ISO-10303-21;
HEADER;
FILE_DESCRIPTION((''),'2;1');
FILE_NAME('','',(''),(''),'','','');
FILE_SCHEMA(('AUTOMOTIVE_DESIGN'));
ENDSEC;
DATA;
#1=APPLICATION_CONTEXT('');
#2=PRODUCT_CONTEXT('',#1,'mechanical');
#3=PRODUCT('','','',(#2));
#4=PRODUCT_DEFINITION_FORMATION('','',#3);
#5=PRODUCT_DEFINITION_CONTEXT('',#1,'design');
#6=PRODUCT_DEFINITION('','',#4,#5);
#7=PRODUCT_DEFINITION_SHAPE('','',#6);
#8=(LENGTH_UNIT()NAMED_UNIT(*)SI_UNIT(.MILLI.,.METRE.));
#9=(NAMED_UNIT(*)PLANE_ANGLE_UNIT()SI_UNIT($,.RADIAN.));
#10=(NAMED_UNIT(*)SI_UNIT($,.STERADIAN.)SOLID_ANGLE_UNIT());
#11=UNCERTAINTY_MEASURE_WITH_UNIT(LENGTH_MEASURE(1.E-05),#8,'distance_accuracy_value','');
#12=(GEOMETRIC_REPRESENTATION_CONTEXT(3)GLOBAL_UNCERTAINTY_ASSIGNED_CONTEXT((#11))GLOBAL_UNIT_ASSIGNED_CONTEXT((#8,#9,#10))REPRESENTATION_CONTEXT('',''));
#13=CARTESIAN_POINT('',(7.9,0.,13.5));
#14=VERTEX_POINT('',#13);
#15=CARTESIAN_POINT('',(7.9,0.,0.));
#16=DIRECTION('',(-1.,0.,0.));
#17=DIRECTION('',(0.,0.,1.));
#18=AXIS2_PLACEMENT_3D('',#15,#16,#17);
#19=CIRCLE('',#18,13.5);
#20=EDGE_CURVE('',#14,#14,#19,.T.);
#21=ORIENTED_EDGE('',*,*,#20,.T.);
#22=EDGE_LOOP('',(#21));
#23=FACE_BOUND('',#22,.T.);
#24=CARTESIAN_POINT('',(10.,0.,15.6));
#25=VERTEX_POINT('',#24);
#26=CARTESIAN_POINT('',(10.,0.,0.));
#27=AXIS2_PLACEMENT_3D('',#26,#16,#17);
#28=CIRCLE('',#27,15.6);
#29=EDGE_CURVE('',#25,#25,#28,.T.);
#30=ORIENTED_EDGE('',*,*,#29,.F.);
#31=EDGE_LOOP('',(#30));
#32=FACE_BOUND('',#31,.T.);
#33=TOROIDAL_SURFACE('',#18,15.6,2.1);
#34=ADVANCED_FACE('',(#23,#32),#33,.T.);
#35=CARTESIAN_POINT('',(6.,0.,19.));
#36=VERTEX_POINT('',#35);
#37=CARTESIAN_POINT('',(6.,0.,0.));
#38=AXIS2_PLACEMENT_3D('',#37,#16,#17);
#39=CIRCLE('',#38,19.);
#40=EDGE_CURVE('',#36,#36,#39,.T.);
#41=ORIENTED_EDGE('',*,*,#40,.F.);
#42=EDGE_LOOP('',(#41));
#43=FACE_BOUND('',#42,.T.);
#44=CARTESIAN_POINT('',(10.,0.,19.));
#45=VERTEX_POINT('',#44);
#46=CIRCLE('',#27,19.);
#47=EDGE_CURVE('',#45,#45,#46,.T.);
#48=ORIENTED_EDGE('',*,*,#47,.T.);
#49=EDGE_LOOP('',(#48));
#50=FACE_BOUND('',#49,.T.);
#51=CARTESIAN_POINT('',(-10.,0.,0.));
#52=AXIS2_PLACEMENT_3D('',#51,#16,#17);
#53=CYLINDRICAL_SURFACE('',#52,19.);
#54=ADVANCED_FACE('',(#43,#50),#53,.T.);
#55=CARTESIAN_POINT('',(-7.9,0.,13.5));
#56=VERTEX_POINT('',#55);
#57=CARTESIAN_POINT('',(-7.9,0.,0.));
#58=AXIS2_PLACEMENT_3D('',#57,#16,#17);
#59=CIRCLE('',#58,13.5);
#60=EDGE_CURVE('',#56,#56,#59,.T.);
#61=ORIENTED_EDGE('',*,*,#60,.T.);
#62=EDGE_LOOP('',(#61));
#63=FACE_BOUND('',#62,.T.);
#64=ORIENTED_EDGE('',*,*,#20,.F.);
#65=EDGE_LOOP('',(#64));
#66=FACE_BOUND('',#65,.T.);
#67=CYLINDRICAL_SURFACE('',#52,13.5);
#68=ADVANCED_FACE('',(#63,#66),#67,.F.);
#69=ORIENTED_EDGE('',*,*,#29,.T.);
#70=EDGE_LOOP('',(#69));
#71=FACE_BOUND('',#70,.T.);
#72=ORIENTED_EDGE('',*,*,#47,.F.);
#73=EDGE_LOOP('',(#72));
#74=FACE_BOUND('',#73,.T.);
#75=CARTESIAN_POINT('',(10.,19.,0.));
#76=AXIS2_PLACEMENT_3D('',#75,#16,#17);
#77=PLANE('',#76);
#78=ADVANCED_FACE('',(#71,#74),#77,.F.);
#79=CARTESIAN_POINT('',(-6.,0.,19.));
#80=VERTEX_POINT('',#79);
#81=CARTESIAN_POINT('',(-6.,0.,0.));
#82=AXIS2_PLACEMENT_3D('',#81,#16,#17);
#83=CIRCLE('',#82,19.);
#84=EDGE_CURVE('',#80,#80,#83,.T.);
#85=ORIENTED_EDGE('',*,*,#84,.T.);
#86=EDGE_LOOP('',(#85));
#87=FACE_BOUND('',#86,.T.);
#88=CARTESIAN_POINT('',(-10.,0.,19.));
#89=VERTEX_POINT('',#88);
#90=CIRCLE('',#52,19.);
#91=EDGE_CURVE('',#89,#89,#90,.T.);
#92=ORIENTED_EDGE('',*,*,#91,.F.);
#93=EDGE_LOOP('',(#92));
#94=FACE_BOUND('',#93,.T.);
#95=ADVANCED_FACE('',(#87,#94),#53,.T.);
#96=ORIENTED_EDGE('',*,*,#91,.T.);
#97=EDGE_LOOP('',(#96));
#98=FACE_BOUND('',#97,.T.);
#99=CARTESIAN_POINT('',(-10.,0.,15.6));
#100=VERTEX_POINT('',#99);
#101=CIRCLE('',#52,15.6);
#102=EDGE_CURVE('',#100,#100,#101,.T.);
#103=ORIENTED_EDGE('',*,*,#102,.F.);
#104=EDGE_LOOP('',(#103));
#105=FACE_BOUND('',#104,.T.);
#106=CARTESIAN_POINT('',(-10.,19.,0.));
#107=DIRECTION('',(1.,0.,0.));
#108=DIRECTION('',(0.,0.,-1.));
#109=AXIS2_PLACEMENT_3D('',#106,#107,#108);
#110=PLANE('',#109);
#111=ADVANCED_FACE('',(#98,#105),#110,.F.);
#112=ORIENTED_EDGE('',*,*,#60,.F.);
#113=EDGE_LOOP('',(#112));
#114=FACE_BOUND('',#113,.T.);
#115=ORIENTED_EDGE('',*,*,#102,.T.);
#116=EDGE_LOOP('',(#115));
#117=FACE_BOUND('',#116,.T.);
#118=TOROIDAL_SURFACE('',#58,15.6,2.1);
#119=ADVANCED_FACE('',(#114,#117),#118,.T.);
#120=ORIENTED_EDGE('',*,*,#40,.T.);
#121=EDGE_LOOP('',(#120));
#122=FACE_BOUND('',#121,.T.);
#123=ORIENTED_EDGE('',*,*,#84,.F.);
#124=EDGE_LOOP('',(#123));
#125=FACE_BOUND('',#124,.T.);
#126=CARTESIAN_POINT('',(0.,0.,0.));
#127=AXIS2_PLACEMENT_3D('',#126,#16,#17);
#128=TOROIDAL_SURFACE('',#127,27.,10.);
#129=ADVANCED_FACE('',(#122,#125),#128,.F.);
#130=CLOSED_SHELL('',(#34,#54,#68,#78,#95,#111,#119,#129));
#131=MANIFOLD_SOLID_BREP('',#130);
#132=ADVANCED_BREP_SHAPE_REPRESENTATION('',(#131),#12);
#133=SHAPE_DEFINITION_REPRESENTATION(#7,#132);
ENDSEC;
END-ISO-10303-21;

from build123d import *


with BuildPart() as part:
    # Sketch1 → Revolve1 (revolve)
    with BuildSketch(Plane.XY, mode=Mode.PRIVATE) as revolve1_sk:
        with BuildLine():
            Line((10, 19), (6, 19))
            ThreePointArc((6, 19), (0, 17), (-6, 19))
            Line((-6, 19), (-10, 19))
            Line((-10, 19), (-10, 15.6))
            ThreePointArc((-10, 15.6), (-9.38492424, 14.11507576), (-7.9, 13.5))
            Line((-7.9, 13.5), (7.9, 13.5))
            ThreePointArc((7.9, 13.5), (9.38492424, 14.11507576), (10, 15.6))
            Line((10, 15.6), (10, 19))
        make_face()
    revolve(revolve1_sk.sketch.rotate(Axis((-10, 0, 0), (1, 0, 0)), 90), axis=Axis((-10, 0, 0), (1, 0, 0)))


solid = part.part
